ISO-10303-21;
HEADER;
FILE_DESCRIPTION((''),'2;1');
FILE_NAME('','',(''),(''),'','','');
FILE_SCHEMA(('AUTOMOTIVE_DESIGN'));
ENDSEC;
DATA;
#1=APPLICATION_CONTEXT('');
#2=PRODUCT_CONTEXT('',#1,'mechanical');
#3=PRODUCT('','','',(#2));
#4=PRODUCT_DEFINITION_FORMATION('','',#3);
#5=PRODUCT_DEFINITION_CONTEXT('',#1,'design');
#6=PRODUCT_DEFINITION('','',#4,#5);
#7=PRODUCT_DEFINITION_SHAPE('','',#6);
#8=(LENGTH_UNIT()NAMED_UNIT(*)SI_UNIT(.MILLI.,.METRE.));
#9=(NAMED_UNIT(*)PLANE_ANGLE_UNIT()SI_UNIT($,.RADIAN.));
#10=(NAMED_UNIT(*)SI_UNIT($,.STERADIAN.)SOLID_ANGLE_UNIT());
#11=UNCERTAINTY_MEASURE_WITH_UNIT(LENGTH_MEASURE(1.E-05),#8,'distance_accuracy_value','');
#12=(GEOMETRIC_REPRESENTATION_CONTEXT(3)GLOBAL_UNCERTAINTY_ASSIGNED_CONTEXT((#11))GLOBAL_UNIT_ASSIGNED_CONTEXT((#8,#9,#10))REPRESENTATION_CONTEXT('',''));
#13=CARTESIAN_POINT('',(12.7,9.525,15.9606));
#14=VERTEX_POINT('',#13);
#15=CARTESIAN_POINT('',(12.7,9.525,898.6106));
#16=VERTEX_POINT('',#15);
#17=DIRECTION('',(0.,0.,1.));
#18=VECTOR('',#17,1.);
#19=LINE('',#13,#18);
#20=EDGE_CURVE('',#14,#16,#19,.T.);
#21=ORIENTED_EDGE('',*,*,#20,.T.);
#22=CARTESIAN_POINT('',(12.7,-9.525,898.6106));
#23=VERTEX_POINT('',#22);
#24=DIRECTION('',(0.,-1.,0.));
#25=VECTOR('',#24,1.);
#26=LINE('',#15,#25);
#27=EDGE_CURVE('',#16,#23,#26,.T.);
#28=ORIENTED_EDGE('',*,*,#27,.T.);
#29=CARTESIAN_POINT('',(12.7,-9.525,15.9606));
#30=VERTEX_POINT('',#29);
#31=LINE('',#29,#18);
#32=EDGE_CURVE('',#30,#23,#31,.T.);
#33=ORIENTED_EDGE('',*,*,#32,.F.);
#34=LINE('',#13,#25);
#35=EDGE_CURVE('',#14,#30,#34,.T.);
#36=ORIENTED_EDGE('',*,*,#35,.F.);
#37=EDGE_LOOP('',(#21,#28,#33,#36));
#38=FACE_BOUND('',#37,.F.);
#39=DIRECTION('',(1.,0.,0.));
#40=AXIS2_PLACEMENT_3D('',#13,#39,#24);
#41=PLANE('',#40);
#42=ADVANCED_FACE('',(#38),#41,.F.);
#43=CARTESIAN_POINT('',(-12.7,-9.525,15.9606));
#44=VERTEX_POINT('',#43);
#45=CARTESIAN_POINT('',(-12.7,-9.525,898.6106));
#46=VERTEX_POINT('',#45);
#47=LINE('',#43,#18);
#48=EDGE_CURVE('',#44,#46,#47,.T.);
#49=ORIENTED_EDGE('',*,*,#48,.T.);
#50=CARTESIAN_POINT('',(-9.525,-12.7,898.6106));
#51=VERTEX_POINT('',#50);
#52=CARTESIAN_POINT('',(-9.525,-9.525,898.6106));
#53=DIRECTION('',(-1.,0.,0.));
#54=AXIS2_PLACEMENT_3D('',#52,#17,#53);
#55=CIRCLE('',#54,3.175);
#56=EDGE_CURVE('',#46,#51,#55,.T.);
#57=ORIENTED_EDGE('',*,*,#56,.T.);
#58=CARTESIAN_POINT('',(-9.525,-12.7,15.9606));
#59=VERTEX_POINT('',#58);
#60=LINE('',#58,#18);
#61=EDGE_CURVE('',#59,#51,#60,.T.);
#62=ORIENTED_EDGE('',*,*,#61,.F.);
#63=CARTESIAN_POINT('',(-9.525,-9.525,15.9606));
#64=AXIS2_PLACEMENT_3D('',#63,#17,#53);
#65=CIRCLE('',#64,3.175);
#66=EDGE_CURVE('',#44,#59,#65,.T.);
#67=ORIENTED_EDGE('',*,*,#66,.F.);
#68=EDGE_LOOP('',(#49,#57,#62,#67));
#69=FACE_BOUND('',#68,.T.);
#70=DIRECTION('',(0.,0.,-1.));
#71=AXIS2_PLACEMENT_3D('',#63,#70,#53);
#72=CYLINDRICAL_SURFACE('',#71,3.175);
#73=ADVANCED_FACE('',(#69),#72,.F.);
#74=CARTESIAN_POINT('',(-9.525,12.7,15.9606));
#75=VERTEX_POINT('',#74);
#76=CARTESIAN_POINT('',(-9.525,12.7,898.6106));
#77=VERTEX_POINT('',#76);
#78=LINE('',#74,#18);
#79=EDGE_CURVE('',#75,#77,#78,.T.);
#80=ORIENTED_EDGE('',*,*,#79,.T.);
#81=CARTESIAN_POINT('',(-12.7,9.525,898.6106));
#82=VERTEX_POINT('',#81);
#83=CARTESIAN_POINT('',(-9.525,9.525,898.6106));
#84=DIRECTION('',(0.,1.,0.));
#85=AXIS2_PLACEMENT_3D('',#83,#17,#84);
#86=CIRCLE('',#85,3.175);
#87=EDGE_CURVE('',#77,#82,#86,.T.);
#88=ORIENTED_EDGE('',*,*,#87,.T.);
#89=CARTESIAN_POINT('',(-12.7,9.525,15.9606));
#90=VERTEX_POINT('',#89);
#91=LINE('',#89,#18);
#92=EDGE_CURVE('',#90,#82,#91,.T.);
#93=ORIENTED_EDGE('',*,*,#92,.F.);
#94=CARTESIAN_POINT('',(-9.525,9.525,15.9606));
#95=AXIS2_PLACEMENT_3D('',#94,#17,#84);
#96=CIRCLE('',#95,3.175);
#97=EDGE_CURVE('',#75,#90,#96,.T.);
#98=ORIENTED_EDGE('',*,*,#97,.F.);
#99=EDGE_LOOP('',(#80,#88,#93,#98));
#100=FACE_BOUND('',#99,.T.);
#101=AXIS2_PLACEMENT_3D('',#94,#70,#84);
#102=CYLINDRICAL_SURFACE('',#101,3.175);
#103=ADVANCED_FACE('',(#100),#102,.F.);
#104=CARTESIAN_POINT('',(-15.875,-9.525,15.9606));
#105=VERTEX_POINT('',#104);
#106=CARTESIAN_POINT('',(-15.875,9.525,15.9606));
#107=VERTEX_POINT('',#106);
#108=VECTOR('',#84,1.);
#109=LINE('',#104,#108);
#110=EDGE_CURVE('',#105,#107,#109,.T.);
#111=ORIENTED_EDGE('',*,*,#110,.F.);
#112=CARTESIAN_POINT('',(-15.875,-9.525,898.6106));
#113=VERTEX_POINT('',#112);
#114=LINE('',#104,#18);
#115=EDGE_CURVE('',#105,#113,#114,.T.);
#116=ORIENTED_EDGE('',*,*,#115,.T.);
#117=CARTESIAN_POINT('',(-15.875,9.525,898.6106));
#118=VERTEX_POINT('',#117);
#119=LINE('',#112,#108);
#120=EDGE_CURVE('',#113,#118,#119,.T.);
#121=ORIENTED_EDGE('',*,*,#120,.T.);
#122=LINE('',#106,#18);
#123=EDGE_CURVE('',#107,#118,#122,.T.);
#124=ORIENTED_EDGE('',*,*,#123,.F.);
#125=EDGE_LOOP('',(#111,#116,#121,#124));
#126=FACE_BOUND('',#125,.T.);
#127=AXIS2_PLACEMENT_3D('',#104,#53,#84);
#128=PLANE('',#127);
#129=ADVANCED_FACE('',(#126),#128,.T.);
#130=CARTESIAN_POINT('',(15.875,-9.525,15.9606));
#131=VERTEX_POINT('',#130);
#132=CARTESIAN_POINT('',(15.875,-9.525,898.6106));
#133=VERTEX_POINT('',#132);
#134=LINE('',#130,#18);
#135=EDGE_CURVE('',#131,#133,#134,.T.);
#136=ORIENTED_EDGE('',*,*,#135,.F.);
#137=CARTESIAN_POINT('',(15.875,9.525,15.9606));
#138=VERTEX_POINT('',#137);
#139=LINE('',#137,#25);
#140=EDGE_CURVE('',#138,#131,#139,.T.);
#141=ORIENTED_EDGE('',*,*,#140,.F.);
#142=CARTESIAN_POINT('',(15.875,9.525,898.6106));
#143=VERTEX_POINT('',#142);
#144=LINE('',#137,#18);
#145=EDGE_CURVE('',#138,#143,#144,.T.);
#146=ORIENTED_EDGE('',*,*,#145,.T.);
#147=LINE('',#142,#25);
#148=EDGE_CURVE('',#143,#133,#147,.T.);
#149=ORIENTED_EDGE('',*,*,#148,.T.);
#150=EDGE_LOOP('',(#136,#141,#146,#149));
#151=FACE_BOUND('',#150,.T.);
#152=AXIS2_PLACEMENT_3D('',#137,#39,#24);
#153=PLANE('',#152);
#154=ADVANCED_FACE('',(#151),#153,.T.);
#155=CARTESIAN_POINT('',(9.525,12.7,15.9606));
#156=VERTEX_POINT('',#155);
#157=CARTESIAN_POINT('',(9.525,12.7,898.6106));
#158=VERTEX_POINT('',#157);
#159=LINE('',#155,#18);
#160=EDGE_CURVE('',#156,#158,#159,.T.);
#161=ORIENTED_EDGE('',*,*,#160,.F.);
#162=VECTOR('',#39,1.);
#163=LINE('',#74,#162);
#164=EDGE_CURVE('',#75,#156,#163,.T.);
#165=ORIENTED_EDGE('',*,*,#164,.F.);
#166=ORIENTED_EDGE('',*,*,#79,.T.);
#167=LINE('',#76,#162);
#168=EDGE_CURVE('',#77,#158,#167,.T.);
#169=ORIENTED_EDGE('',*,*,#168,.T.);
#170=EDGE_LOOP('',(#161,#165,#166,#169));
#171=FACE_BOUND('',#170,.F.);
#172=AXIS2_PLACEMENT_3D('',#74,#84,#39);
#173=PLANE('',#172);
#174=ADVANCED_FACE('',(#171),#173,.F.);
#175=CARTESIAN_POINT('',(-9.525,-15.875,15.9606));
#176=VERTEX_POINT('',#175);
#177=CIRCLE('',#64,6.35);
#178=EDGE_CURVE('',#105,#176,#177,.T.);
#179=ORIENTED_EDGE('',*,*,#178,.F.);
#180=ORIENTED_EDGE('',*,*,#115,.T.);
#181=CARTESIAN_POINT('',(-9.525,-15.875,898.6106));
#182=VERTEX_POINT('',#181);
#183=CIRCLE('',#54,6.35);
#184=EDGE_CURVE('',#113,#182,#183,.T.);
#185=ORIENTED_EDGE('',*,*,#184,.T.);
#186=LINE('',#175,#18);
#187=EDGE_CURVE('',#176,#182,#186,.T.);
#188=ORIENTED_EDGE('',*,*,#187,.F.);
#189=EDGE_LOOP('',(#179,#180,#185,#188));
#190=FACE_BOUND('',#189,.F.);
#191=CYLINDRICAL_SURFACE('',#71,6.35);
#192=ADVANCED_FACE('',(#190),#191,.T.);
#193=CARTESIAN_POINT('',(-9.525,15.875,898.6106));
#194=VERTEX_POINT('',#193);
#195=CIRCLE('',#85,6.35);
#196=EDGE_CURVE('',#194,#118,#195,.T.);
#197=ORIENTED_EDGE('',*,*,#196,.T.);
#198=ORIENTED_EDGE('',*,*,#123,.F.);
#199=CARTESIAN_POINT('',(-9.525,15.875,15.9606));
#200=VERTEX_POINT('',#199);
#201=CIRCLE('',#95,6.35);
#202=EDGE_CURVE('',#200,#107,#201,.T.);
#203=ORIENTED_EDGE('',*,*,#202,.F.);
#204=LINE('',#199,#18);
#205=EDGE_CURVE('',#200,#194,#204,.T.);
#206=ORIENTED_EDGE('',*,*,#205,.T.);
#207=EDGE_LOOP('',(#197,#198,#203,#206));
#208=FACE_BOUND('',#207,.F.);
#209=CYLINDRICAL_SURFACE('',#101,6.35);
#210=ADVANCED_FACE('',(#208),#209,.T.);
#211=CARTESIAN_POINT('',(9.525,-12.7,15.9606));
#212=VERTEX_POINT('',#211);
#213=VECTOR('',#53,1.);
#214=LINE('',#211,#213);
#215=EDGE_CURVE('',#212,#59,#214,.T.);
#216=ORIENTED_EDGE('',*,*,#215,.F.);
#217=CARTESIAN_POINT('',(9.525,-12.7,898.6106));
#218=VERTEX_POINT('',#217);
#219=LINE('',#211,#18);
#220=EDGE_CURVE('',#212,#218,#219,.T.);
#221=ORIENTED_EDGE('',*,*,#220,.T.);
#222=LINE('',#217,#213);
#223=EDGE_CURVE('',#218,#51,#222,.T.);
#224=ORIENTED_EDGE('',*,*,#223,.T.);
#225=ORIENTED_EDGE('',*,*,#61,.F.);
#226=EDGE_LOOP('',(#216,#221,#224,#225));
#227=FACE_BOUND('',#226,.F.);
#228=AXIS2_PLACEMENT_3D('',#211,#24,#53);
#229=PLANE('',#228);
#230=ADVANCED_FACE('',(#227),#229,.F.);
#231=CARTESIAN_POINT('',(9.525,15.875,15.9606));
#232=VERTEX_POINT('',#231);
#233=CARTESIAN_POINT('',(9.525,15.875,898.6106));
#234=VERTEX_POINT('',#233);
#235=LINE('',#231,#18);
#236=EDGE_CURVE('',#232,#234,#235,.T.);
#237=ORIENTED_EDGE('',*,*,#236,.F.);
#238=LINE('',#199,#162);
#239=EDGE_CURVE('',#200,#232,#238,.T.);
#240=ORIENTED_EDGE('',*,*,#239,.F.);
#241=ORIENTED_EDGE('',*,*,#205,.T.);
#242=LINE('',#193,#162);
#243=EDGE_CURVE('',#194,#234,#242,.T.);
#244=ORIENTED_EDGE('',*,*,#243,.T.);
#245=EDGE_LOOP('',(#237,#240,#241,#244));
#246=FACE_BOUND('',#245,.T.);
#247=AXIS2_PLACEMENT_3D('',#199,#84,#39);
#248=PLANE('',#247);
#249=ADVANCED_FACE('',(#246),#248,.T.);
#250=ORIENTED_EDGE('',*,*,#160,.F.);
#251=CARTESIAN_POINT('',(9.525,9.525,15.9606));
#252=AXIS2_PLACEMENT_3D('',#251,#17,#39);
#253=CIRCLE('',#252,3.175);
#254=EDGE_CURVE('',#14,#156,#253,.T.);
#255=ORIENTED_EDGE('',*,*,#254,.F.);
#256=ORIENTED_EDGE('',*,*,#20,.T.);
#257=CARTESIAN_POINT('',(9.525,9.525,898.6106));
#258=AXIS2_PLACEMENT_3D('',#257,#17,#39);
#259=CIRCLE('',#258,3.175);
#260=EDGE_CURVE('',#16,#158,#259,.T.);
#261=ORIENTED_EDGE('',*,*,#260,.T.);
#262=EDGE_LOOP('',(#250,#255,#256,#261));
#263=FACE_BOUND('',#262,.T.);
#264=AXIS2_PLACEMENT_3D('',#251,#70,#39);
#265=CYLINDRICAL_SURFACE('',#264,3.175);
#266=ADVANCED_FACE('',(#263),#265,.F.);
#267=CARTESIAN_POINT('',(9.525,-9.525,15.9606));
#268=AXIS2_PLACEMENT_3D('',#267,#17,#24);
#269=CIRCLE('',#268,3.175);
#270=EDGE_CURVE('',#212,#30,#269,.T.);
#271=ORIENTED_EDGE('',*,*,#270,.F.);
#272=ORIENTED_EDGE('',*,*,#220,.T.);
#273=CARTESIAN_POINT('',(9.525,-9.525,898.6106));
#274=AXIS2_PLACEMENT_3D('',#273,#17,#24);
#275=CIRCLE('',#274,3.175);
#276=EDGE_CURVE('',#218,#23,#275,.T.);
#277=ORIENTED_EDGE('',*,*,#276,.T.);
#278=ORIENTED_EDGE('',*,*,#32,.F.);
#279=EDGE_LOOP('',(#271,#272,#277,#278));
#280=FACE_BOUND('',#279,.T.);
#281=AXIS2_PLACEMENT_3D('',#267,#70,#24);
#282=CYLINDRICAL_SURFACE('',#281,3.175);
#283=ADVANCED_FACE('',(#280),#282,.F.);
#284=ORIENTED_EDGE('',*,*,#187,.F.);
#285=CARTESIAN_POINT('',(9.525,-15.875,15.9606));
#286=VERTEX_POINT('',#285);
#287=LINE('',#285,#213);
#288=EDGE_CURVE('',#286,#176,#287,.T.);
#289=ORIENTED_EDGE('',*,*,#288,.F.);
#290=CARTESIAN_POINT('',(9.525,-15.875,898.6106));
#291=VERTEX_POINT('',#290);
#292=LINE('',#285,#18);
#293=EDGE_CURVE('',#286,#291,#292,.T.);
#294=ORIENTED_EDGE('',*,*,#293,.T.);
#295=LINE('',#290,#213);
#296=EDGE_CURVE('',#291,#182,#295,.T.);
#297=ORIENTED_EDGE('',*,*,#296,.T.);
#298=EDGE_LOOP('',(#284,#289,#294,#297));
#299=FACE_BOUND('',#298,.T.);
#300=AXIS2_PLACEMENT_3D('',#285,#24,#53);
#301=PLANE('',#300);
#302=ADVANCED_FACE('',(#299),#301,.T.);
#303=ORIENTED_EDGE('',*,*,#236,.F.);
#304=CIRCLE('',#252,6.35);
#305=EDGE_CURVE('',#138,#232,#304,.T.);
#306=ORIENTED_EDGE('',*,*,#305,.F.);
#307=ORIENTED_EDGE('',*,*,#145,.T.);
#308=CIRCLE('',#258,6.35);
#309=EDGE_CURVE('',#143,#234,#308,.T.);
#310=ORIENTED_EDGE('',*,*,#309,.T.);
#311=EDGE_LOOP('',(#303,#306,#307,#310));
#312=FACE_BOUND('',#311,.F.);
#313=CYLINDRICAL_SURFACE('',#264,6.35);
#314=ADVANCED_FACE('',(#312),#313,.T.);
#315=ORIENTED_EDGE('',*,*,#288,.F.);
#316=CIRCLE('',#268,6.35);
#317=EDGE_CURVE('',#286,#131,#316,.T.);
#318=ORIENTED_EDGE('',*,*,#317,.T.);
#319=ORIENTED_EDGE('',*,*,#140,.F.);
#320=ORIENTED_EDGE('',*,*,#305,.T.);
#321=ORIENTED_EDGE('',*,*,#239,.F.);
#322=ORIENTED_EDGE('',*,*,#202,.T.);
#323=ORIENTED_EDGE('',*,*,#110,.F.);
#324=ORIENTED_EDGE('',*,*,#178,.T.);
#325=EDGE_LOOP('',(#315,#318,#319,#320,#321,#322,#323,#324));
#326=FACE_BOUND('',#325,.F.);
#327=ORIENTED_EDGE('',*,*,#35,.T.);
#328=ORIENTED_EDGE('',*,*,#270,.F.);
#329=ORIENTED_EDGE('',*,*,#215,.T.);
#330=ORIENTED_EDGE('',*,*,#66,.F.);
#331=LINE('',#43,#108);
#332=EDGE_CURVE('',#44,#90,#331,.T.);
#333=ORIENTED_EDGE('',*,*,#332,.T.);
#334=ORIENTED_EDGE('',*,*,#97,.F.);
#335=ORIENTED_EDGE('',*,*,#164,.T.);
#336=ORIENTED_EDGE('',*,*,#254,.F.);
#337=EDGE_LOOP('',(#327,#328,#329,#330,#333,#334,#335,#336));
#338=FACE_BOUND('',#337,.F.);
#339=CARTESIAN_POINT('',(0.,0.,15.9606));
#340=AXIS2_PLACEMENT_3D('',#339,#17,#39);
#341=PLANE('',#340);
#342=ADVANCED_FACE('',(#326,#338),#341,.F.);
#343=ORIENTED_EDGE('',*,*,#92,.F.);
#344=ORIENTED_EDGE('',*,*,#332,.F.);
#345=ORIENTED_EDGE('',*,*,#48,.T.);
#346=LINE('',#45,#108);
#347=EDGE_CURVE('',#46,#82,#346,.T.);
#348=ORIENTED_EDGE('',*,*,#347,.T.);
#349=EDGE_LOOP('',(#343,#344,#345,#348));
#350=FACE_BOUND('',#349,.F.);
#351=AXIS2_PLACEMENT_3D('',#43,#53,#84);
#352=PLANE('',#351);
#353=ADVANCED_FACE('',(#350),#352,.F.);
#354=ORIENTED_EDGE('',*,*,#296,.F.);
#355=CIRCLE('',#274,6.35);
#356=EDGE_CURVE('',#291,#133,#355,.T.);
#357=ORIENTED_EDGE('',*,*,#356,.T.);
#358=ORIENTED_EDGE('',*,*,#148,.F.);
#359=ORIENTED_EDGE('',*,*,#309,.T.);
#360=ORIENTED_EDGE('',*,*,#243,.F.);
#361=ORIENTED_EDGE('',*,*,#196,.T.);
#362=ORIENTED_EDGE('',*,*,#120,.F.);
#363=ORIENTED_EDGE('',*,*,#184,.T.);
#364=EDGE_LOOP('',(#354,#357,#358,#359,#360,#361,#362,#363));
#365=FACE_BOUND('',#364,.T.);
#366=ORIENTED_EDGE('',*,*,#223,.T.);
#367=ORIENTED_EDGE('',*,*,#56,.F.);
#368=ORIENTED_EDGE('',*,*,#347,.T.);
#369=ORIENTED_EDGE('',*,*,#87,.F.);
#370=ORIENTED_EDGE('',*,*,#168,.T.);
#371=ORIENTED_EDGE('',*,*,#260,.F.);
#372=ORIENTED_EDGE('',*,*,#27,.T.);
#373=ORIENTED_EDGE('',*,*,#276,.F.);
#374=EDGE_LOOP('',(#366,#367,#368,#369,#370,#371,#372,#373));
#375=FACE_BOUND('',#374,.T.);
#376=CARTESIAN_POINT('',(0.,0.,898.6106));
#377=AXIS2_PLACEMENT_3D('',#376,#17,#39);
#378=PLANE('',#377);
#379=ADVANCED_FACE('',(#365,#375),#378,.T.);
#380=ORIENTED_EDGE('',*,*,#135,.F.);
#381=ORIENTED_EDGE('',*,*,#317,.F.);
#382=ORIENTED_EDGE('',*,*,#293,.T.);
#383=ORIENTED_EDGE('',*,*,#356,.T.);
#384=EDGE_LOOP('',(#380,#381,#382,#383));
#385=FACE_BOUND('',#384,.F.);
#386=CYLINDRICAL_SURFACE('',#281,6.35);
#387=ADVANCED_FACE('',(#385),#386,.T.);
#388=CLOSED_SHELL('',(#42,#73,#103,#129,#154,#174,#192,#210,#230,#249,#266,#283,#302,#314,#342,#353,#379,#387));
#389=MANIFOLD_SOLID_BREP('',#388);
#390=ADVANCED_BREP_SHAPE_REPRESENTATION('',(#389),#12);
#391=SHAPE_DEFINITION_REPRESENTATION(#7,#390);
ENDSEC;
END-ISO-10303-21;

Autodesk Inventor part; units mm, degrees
ref_plane "Start plane" through (0, 0, 15.9606) normal (0, 0, 1) x (1, 0, 0)
ref_plane "End plane" through (0, 0, 898.6106) normal (0, 0, 1) x (1, 0, 0)
sketch "Sketch" plane through (0, 0, 0) normal (0, 0, 1) x (1, 0, 0)
  line L0 (-15.875, -9.525) -> (-15.875, 9.525)
  line L1 (-9.525, 15.875) -> (9.525, 15.875)
  line L2 (15.875, 9.525) -> (15.875, -9.525)
  line L3 (9.525, -15.875) -> (-9.525, -15.875)
  arc A0 (-15.875, -9.525) -> (-9.525, -15.875) centre (-9.525, -9.525) ccw
  arc A1 (-9.525, 15.875) -> (-15.875, 9.525) centre (-9.525, 9.525) ccw
  arc A2 (15.875, 9.525) -> (9.525, 15.875) centre (9.525, 9.525) ccw
  arc A3 (9.525, -15.875) -> (15.875, -9.525) centre (9.525, -9.525) ccw
  arc A4 (-9.525, 12.7) -> (-12.7, 9.525) centre (-9.525, 9.525) ccw
  line L4 (-9.525, 12.7) -> (9.525, 12.7)
  arc A5 (12.7, 9.525) -> (9.525, 12.7) centre (9.525, 9.525) ccw
  line L5 (12.7, 9.525) -> (12.7, -9.525)
  arc A6 (9.525, -12.7) -> (12.7, -9.525) centre (9.525, -9.525) ccw
  line L6 (9.525, -12.7) -> (-9.525, -12.7)
  arc A7 (-12.7, -9.525) -> (-9.525, -12.7) centre (-9.525, -9.525) ccw
  line L7 (-12.7, -9.525) -> (-12.7, 9.525)
  line L8 (0, 24.0662) -> (0, -24.0662) construction
  line L9 (-24.0662, 0) -> (24.0662, 0) construction
  dimension "d10" = 31.75
  dimension "d11" = 31.75
  dimension "d12" = 3.175
  dimension "d15" = 15.875
  dimension "d16" = 15.875
  dimension "d17" = 6.35
extrude "Body" add sketch "Sketch" along normal up to surface (882.65 mm away) from surface at 15.9606
sketch "Sketch3" plane through (0, 0, 0) normal (0, 0, 1) x (1, 0, 0)
  line L0 (0, 0) -> (10, 0)
ref_plane "Work Plane3" through (0, 0, 0) normal (0, -1, 0) x (1, 0, 0)
sketch "Sketch4" plane through (0, 0, 0) normal (0, -1, 0) x (1, 0, 0)
  line L0 (-2, 15.9606) -> (12, 15.9606)
  line L1 (-2, 898.6106) -> (12, 898.6106)
  dimension "d19" = 882.65
ref_plane "Work Plane4" through (-507.9141, 9.4395, 898.6106) normal (0, 0, 1) x (1, 0, 0)
split "Split1" plane through (-507.9141, 9.4395, 898.6106) removes the side toward (0, 0, 1)
ref_plane "Work Plane5" through (101.6859, 9.4395, 15.9606) normal (0, 0, -1) x (-1, 0, 0)
split "Split2" plane through (101.6859, 9.4395, 15.9606) removes the side toward (0, 0, -1)
equation "\"d10\" = G_H"
equation "\"d11\" = G_W"
equation "\"d12\" = G_T"
equation "\"d15\" = 0.5 * d10"
equation "\"d16\" = 0.5 * d11"
equation "\"d17\" = G_IR"
equation "\"d3\" = G_L"
equation "\"G_W\" = 31.75"
equation "\"G_H\" = 31.75"
equation "\"G_T\" = 3.175"
equation "\"G_IR\" = 6.35"
equation "\"G_L\" = d19"
equation "\"G_OFFSET_START\" = -15.96057"
equation "\"G_OFFSET_END\" = -15.78943"
equation "\"d13\" = -G_OFFSET_START"
equation "\"d14\" = G_OFFSET_END + B_L"
equation "\"B_L\" = 914.4"
properties part number "AISC HSS - 1-1/4x1-1/4x1/8 - 34.75" material "Steel, Mild"
